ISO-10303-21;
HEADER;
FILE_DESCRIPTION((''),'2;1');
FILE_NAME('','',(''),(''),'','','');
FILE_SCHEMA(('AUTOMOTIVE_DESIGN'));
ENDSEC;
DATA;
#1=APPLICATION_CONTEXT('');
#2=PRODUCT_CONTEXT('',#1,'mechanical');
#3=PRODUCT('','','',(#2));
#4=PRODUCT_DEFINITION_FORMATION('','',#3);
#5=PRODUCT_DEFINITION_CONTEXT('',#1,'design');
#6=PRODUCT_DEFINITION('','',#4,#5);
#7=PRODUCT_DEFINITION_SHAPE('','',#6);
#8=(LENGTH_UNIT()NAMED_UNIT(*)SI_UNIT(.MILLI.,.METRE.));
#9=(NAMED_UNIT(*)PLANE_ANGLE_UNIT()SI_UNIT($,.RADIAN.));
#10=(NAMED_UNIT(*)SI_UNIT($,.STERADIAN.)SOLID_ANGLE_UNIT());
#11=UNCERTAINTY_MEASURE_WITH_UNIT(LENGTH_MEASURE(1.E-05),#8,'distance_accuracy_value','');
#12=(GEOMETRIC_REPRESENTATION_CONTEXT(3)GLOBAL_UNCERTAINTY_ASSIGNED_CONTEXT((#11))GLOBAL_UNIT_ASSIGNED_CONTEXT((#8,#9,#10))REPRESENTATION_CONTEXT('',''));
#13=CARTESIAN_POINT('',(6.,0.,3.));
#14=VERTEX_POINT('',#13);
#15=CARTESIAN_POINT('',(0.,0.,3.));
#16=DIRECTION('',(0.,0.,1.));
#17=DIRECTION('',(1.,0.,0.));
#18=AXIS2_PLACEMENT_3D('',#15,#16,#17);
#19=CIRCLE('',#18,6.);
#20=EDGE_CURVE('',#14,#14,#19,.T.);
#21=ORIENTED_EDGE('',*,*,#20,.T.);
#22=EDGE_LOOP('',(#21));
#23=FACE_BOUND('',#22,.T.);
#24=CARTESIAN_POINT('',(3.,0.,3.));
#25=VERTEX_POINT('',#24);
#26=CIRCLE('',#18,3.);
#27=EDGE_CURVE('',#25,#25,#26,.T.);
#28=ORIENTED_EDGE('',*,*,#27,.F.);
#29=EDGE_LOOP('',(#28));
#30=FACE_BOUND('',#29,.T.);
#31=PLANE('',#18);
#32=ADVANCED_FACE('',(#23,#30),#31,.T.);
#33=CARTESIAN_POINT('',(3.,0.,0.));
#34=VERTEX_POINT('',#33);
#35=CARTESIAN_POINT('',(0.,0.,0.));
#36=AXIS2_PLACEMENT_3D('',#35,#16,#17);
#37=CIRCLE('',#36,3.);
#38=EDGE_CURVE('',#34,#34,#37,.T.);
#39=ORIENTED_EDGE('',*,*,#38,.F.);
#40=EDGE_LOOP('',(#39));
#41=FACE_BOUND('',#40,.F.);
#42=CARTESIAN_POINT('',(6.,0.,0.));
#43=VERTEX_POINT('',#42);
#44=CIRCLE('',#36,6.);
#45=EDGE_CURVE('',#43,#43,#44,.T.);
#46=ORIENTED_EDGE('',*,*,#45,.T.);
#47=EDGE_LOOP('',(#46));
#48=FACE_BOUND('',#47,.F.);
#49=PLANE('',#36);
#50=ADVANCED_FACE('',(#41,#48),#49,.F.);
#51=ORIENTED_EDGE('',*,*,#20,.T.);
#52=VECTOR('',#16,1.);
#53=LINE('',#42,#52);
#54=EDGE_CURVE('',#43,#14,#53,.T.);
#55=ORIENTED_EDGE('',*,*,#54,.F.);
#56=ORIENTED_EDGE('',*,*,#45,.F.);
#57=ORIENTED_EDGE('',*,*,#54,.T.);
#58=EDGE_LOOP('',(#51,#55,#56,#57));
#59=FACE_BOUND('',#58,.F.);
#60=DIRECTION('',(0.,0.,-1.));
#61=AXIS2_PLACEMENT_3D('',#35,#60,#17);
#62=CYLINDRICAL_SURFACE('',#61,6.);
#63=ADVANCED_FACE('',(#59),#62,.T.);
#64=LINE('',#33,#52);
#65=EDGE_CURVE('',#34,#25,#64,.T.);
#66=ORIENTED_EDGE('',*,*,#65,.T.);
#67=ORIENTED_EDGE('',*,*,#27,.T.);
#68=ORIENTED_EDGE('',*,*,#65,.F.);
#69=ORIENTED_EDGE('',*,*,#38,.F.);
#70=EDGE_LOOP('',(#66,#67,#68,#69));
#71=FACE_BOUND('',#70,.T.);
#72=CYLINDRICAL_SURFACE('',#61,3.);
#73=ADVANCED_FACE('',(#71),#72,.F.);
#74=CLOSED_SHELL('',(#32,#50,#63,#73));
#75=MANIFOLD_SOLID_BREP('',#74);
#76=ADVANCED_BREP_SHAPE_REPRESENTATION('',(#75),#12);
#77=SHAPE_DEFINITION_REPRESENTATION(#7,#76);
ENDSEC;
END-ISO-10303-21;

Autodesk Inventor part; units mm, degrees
ref_plane "YZ Plane" through (0, 0, 0) normal (1, 0, 0) x (0, 1, 0)
ref_plane "XZ Plane" through (0, 0, 0) normal (0, 1, 0) x (-1, 0, 0)
ref_plane "XY Plane" through (0, 0, 0) normal (0, 0, 1) x (1, 0, 0)
sketch "スケッチ1" plane through (0, 0, 0) normal (0, 0, 1) x (1, 0, 0)
  circle A0 centre (0, 0) radius 6
  circle A1 centre (0, 0) radius 3
  dimension "d0" = 12
  dimension "d1" = 6
extrude "押し出し1" add sketch "スケッチ1" along normal blind 3
properties part number "base_part7" material "アルミニウム 6061"
